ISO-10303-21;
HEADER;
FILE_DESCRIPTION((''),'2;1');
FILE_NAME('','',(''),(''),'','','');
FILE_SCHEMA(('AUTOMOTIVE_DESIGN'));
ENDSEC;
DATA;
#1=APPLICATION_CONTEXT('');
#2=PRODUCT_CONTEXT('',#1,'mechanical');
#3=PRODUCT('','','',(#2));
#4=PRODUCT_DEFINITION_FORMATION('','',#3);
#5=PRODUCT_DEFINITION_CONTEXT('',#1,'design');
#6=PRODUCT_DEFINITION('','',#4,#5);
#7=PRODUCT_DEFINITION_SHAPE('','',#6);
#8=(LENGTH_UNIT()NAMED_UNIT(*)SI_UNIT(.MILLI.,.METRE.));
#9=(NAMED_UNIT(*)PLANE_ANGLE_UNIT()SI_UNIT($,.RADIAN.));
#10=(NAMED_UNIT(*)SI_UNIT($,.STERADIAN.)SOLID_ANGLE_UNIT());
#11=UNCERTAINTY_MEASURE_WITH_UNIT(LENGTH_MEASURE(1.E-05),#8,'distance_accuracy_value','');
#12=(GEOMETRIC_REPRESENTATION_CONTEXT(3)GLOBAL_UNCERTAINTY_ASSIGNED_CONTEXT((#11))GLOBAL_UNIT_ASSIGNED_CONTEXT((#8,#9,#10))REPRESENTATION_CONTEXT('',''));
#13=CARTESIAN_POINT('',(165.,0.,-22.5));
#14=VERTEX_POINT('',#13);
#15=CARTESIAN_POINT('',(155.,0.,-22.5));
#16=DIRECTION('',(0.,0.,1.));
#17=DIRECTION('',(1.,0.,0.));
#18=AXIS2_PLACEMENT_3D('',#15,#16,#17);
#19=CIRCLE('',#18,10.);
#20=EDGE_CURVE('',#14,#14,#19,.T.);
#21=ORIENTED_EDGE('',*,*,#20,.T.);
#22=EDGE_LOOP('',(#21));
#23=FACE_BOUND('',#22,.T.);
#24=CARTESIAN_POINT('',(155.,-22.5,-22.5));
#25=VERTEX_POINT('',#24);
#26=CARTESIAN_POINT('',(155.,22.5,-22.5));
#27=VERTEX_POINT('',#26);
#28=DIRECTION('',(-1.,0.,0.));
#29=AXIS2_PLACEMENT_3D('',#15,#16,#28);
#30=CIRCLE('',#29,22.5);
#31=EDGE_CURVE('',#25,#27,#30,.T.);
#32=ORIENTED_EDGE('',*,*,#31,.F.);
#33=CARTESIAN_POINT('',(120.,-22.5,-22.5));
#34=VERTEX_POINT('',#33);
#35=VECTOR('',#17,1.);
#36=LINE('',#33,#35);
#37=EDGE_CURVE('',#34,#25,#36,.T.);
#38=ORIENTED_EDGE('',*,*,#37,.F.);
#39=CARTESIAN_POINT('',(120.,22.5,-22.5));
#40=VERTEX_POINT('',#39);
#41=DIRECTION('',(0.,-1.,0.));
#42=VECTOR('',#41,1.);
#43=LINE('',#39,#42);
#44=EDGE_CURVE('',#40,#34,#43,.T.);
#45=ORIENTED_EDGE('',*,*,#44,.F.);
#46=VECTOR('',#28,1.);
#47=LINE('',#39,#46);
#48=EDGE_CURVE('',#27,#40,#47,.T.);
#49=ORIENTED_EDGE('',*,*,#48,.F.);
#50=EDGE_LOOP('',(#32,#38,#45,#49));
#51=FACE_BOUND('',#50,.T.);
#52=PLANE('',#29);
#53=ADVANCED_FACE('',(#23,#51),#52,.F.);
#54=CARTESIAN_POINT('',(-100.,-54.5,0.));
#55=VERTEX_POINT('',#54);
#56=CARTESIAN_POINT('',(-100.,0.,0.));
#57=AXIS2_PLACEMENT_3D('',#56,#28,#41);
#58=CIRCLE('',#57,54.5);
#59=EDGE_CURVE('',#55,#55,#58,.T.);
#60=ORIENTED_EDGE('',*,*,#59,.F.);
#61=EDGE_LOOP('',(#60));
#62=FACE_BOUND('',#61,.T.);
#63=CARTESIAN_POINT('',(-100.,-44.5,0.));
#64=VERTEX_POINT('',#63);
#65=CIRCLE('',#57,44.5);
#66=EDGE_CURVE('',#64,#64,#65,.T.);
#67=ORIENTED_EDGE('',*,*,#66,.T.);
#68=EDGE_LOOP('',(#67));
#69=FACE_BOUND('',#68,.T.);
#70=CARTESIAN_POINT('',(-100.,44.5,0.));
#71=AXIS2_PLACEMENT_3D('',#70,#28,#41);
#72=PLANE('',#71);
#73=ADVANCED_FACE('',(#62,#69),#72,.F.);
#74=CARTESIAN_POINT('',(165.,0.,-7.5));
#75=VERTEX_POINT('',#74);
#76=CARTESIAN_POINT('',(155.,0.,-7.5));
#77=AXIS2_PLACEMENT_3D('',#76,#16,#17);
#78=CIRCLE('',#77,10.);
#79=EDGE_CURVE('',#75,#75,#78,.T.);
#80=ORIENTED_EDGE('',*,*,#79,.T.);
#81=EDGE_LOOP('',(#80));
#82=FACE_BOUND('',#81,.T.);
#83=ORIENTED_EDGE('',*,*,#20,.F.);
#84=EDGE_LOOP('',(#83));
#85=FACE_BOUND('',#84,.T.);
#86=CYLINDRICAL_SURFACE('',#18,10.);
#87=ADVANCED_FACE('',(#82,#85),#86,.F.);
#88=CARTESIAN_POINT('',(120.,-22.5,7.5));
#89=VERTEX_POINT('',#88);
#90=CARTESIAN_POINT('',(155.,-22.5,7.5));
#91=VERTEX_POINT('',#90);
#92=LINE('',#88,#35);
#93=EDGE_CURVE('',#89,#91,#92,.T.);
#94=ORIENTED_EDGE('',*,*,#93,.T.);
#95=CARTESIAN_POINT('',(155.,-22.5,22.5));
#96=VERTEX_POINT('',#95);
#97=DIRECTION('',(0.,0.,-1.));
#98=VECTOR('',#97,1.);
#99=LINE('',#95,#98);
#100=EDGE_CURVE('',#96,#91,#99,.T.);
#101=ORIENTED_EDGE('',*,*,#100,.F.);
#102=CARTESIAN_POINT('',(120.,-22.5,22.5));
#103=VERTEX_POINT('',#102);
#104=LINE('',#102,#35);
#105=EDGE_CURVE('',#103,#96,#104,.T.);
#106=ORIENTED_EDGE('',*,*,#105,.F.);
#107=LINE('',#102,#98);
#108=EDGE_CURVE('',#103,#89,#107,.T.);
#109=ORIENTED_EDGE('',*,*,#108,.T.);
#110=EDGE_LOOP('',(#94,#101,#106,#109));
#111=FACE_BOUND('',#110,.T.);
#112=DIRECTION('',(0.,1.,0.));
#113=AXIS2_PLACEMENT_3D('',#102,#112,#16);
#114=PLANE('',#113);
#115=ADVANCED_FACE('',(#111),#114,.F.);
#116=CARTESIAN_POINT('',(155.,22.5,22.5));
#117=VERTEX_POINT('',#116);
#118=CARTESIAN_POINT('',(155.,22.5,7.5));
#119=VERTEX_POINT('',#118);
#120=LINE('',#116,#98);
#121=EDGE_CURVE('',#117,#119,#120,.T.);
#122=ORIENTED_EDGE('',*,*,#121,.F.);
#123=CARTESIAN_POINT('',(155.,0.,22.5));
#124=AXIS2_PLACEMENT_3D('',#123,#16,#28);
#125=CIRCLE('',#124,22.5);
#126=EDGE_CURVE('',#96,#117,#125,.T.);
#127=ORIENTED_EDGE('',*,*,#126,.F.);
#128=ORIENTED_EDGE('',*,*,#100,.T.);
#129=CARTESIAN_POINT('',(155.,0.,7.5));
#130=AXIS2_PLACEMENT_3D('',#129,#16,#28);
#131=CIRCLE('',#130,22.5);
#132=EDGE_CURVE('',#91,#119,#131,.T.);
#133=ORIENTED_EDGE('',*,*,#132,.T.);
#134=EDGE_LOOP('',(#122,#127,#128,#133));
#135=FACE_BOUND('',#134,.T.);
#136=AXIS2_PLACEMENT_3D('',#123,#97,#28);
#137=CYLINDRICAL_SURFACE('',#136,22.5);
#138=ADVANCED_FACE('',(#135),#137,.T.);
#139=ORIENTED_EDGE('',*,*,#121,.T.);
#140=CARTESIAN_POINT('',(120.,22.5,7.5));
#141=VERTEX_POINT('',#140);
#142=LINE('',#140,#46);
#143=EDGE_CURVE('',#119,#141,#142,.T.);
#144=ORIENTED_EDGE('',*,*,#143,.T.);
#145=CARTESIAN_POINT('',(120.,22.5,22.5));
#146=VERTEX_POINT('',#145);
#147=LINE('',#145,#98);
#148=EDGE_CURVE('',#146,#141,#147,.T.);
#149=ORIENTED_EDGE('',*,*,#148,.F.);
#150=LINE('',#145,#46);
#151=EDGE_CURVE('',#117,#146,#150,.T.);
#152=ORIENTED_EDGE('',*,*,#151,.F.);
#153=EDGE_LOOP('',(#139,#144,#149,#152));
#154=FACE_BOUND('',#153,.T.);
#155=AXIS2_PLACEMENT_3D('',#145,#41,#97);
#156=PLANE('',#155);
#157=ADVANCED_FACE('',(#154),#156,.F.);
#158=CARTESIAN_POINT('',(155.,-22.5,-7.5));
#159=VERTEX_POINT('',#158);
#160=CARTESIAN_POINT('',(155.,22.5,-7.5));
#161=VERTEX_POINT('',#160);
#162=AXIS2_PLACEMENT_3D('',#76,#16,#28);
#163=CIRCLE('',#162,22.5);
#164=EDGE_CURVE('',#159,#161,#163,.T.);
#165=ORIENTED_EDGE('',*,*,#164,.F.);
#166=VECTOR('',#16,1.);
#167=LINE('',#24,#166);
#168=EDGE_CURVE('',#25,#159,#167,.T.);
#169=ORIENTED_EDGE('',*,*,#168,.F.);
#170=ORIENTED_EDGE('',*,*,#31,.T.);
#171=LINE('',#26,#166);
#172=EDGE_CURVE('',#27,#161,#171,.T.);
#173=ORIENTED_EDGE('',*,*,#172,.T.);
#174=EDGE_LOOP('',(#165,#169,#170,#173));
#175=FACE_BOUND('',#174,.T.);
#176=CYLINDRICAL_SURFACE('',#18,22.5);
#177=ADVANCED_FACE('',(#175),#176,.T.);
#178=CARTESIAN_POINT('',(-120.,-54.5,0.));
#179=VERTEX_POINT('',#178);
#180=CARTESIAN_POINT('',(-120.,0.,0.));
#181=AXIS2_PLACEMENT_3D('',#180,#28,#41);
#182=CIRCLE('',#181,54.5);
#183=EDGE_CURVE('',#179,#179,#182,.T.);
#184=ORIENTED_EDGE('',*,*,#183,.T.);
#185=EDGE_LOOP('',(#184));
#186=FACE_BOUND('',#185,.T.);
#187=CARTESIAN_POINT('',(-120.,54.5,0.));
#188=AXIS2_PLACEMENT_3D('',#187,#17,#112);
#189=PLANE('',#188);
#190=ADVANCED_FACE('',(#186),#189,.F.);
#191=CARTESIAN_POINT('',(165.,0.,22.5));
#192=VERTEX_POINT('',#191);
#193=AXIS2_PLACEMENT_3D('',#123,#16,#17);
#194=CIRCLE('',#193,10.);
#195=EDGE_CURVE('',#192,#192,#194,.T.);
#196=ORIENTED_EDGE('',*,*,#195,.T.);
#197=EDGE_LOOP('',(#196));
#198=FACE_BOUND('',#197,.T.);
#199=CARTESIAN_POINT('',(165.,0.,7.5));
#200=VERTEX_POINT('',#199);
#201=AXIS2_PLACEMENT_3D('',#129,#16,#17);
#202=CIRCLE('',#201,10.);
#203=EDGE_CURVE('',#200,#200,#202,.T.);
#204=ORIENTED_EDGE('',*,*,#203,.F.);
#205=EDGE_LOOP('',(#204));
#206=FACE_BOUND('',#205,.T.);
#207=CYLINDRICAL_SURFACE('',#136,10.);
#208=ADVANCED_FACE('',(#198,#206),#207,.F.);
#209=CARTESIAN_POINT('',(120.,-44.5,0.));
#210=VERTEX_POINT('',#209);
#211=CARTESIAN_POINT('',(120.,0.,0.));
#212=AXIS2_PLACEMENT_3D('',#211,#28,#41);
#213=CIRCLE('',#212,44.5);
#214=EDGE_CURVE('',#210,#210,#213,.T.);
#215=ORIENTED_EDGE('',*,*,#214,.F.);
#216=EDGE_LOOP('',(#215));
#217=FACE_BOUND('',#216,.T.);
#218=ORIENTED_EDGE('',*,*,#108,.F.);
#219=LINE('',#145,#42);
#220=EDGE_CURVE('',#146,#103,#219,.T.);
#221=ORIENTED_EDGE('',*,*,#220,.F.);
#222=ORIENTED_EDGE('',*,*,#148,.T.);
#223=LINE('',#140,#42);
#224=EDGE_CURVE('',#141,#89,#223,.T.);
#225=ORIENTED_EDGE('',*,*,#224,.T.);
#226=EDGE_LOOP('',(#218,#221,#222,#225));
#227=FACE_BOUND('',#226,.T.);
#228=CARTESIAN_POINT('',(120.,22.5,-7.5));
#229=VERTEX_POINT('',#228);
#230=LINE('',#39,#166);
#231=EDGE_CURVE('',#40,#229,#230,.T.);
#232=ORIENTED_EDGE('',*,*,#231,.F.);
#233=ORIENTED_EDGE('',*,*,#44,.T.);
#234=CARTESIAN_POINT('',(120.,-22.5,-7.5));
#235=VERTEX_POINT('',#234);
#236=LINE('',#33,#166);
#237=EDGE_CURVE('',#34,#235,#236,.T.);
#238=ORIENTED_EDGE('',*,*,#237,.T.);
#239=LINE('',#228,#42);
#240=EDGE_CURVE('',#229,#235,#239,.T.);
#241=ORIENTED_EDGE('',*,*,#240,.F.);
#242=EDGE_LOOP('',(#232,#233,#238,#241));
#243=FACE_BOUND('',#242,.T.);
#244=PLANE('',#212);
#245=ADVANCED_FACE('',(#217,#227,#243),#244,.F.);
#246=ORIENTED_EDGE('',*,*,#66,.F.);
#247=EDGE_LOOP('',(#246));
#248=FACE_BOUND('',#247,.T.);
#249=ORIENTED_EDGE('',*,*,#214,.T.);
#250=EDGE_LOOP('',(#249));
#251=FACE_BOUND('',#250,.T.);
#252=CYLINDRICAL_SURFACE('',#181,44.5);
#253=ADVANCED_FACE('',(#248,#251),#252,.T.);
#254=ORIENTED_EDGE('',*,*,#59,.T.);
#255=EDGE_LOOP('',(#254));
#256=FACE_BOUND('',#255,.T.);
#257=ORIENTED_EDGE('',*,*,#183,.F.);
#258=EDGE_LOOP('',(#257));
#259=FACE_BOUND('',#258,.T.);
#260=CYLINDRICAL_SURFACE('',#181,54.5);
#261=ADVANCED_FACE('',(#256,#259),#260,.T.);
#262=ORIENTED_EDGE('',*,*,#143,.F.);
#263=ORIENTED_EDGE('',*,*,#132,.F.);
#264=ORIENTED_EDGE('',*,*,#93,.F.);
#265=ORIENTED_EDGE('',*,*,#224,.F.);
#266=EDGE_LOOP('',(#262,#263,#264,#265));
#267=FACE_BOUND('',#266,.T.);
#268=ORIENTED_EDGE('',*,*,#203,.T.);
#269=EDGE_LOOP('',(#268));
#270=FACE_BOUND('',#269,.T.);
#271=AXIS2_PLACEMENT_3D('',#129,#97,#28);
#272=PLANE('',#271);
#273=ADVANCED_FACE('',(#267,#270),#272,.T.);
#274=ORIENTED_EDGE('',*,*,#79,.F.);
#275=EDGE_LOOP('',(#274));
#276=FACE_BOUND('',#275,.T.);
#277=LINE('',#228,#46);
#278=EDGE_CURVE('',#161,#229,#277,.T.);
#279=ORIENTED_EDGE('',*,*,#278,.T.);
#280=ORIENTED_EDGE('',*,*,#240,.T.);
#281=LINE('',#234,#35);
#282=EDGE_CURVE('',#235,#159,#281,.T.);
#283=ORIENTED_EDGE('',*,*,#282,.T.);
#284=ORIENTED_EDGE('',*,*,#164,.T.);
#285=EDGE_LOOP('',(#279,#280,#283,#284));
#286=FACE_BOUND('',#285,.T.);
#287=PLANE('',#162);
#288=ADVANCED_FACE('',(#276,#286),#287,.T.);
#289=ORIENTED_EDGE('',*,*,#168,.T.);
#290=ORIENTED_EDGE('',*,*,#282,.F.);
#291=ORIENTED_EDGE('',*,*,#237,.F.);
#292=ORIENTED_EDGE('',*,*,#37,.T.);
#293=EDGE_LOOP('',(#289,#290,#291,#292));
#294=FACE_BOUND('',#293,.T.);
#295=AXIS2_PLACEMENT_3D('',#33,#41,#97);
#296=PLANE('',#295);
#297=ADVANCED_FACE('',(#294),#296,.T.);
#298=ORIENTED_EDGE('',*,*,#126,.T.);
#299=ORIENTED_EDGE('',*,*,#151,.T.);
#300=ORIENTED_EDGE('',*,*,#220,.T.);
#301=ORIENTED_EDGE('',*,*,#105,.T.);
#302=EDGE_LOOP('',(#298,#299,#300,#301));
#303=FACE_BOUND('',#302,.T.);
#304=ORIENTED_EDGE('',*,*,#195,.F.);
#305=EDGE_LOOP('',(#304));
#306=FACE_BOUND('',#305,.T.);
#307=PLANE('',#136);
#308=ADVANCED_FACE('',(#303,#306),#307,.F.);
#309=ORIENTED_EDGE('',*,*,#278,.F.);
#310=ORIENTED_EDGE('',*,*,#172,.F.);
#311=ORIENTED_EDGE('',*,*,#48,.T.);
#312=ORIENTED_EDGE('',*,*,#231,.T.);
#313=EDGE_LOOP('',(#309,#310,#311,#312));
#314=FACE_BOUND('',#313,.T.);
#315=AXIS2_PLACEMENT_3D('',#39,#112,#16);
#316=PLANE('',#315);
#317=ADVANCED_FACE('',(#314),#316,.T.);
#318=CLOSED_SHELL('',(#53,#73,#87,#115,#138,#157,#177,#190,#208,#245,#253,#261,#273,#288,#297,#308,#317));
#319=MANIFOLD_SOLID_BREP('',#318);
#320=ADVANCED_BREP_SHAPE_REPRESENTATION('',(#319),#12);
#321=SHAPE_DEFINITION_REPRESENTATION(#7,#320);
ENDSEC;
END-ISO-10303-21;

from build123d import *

# Parameters (mm, degrees)
SKETCH3_R           = 10
BOSS_EXTRUDE1_DEPTH = 15


with BuildPart() as part:
    # Sketch2 → Revolve1 (revolve)
    with BuildSketch(Plane.XY):
        Polygon((-120, 0), (120, 0), (120, 44.5), (-100, 44.5), (-100, 54.5), (-120, 54.5), align=None)
    revolve(axis=Axis((-120, 0, 0), (1, 0, 0)))

    # Sketch3 → Boss-Extrude1 (add)
    with BuildSketch(Plane.XY.offset(7.5)):
        with BuildLine():
            Line((120, 22.5), (155, 22.5))
            ThreePointArc((155, 22.5), (177.5, 0), (155, -22.5))
            Line((155, -22.5), (120, -22.5))
            Line((120, -22.5), (120, 22.5))
        make_face()
        with Locations((155, 0)):
            Circle(SKETCH3_R, mode=Mode.SUBTRACT)
    boss_extrude1 = extrude(amount=BOSS_EXTRUDE1_DEPTH)

    # Mirror1: Boss-Extrude1 across plane
    add(boss_extrude1.mirror(Plane.XY))


solid = part.part
